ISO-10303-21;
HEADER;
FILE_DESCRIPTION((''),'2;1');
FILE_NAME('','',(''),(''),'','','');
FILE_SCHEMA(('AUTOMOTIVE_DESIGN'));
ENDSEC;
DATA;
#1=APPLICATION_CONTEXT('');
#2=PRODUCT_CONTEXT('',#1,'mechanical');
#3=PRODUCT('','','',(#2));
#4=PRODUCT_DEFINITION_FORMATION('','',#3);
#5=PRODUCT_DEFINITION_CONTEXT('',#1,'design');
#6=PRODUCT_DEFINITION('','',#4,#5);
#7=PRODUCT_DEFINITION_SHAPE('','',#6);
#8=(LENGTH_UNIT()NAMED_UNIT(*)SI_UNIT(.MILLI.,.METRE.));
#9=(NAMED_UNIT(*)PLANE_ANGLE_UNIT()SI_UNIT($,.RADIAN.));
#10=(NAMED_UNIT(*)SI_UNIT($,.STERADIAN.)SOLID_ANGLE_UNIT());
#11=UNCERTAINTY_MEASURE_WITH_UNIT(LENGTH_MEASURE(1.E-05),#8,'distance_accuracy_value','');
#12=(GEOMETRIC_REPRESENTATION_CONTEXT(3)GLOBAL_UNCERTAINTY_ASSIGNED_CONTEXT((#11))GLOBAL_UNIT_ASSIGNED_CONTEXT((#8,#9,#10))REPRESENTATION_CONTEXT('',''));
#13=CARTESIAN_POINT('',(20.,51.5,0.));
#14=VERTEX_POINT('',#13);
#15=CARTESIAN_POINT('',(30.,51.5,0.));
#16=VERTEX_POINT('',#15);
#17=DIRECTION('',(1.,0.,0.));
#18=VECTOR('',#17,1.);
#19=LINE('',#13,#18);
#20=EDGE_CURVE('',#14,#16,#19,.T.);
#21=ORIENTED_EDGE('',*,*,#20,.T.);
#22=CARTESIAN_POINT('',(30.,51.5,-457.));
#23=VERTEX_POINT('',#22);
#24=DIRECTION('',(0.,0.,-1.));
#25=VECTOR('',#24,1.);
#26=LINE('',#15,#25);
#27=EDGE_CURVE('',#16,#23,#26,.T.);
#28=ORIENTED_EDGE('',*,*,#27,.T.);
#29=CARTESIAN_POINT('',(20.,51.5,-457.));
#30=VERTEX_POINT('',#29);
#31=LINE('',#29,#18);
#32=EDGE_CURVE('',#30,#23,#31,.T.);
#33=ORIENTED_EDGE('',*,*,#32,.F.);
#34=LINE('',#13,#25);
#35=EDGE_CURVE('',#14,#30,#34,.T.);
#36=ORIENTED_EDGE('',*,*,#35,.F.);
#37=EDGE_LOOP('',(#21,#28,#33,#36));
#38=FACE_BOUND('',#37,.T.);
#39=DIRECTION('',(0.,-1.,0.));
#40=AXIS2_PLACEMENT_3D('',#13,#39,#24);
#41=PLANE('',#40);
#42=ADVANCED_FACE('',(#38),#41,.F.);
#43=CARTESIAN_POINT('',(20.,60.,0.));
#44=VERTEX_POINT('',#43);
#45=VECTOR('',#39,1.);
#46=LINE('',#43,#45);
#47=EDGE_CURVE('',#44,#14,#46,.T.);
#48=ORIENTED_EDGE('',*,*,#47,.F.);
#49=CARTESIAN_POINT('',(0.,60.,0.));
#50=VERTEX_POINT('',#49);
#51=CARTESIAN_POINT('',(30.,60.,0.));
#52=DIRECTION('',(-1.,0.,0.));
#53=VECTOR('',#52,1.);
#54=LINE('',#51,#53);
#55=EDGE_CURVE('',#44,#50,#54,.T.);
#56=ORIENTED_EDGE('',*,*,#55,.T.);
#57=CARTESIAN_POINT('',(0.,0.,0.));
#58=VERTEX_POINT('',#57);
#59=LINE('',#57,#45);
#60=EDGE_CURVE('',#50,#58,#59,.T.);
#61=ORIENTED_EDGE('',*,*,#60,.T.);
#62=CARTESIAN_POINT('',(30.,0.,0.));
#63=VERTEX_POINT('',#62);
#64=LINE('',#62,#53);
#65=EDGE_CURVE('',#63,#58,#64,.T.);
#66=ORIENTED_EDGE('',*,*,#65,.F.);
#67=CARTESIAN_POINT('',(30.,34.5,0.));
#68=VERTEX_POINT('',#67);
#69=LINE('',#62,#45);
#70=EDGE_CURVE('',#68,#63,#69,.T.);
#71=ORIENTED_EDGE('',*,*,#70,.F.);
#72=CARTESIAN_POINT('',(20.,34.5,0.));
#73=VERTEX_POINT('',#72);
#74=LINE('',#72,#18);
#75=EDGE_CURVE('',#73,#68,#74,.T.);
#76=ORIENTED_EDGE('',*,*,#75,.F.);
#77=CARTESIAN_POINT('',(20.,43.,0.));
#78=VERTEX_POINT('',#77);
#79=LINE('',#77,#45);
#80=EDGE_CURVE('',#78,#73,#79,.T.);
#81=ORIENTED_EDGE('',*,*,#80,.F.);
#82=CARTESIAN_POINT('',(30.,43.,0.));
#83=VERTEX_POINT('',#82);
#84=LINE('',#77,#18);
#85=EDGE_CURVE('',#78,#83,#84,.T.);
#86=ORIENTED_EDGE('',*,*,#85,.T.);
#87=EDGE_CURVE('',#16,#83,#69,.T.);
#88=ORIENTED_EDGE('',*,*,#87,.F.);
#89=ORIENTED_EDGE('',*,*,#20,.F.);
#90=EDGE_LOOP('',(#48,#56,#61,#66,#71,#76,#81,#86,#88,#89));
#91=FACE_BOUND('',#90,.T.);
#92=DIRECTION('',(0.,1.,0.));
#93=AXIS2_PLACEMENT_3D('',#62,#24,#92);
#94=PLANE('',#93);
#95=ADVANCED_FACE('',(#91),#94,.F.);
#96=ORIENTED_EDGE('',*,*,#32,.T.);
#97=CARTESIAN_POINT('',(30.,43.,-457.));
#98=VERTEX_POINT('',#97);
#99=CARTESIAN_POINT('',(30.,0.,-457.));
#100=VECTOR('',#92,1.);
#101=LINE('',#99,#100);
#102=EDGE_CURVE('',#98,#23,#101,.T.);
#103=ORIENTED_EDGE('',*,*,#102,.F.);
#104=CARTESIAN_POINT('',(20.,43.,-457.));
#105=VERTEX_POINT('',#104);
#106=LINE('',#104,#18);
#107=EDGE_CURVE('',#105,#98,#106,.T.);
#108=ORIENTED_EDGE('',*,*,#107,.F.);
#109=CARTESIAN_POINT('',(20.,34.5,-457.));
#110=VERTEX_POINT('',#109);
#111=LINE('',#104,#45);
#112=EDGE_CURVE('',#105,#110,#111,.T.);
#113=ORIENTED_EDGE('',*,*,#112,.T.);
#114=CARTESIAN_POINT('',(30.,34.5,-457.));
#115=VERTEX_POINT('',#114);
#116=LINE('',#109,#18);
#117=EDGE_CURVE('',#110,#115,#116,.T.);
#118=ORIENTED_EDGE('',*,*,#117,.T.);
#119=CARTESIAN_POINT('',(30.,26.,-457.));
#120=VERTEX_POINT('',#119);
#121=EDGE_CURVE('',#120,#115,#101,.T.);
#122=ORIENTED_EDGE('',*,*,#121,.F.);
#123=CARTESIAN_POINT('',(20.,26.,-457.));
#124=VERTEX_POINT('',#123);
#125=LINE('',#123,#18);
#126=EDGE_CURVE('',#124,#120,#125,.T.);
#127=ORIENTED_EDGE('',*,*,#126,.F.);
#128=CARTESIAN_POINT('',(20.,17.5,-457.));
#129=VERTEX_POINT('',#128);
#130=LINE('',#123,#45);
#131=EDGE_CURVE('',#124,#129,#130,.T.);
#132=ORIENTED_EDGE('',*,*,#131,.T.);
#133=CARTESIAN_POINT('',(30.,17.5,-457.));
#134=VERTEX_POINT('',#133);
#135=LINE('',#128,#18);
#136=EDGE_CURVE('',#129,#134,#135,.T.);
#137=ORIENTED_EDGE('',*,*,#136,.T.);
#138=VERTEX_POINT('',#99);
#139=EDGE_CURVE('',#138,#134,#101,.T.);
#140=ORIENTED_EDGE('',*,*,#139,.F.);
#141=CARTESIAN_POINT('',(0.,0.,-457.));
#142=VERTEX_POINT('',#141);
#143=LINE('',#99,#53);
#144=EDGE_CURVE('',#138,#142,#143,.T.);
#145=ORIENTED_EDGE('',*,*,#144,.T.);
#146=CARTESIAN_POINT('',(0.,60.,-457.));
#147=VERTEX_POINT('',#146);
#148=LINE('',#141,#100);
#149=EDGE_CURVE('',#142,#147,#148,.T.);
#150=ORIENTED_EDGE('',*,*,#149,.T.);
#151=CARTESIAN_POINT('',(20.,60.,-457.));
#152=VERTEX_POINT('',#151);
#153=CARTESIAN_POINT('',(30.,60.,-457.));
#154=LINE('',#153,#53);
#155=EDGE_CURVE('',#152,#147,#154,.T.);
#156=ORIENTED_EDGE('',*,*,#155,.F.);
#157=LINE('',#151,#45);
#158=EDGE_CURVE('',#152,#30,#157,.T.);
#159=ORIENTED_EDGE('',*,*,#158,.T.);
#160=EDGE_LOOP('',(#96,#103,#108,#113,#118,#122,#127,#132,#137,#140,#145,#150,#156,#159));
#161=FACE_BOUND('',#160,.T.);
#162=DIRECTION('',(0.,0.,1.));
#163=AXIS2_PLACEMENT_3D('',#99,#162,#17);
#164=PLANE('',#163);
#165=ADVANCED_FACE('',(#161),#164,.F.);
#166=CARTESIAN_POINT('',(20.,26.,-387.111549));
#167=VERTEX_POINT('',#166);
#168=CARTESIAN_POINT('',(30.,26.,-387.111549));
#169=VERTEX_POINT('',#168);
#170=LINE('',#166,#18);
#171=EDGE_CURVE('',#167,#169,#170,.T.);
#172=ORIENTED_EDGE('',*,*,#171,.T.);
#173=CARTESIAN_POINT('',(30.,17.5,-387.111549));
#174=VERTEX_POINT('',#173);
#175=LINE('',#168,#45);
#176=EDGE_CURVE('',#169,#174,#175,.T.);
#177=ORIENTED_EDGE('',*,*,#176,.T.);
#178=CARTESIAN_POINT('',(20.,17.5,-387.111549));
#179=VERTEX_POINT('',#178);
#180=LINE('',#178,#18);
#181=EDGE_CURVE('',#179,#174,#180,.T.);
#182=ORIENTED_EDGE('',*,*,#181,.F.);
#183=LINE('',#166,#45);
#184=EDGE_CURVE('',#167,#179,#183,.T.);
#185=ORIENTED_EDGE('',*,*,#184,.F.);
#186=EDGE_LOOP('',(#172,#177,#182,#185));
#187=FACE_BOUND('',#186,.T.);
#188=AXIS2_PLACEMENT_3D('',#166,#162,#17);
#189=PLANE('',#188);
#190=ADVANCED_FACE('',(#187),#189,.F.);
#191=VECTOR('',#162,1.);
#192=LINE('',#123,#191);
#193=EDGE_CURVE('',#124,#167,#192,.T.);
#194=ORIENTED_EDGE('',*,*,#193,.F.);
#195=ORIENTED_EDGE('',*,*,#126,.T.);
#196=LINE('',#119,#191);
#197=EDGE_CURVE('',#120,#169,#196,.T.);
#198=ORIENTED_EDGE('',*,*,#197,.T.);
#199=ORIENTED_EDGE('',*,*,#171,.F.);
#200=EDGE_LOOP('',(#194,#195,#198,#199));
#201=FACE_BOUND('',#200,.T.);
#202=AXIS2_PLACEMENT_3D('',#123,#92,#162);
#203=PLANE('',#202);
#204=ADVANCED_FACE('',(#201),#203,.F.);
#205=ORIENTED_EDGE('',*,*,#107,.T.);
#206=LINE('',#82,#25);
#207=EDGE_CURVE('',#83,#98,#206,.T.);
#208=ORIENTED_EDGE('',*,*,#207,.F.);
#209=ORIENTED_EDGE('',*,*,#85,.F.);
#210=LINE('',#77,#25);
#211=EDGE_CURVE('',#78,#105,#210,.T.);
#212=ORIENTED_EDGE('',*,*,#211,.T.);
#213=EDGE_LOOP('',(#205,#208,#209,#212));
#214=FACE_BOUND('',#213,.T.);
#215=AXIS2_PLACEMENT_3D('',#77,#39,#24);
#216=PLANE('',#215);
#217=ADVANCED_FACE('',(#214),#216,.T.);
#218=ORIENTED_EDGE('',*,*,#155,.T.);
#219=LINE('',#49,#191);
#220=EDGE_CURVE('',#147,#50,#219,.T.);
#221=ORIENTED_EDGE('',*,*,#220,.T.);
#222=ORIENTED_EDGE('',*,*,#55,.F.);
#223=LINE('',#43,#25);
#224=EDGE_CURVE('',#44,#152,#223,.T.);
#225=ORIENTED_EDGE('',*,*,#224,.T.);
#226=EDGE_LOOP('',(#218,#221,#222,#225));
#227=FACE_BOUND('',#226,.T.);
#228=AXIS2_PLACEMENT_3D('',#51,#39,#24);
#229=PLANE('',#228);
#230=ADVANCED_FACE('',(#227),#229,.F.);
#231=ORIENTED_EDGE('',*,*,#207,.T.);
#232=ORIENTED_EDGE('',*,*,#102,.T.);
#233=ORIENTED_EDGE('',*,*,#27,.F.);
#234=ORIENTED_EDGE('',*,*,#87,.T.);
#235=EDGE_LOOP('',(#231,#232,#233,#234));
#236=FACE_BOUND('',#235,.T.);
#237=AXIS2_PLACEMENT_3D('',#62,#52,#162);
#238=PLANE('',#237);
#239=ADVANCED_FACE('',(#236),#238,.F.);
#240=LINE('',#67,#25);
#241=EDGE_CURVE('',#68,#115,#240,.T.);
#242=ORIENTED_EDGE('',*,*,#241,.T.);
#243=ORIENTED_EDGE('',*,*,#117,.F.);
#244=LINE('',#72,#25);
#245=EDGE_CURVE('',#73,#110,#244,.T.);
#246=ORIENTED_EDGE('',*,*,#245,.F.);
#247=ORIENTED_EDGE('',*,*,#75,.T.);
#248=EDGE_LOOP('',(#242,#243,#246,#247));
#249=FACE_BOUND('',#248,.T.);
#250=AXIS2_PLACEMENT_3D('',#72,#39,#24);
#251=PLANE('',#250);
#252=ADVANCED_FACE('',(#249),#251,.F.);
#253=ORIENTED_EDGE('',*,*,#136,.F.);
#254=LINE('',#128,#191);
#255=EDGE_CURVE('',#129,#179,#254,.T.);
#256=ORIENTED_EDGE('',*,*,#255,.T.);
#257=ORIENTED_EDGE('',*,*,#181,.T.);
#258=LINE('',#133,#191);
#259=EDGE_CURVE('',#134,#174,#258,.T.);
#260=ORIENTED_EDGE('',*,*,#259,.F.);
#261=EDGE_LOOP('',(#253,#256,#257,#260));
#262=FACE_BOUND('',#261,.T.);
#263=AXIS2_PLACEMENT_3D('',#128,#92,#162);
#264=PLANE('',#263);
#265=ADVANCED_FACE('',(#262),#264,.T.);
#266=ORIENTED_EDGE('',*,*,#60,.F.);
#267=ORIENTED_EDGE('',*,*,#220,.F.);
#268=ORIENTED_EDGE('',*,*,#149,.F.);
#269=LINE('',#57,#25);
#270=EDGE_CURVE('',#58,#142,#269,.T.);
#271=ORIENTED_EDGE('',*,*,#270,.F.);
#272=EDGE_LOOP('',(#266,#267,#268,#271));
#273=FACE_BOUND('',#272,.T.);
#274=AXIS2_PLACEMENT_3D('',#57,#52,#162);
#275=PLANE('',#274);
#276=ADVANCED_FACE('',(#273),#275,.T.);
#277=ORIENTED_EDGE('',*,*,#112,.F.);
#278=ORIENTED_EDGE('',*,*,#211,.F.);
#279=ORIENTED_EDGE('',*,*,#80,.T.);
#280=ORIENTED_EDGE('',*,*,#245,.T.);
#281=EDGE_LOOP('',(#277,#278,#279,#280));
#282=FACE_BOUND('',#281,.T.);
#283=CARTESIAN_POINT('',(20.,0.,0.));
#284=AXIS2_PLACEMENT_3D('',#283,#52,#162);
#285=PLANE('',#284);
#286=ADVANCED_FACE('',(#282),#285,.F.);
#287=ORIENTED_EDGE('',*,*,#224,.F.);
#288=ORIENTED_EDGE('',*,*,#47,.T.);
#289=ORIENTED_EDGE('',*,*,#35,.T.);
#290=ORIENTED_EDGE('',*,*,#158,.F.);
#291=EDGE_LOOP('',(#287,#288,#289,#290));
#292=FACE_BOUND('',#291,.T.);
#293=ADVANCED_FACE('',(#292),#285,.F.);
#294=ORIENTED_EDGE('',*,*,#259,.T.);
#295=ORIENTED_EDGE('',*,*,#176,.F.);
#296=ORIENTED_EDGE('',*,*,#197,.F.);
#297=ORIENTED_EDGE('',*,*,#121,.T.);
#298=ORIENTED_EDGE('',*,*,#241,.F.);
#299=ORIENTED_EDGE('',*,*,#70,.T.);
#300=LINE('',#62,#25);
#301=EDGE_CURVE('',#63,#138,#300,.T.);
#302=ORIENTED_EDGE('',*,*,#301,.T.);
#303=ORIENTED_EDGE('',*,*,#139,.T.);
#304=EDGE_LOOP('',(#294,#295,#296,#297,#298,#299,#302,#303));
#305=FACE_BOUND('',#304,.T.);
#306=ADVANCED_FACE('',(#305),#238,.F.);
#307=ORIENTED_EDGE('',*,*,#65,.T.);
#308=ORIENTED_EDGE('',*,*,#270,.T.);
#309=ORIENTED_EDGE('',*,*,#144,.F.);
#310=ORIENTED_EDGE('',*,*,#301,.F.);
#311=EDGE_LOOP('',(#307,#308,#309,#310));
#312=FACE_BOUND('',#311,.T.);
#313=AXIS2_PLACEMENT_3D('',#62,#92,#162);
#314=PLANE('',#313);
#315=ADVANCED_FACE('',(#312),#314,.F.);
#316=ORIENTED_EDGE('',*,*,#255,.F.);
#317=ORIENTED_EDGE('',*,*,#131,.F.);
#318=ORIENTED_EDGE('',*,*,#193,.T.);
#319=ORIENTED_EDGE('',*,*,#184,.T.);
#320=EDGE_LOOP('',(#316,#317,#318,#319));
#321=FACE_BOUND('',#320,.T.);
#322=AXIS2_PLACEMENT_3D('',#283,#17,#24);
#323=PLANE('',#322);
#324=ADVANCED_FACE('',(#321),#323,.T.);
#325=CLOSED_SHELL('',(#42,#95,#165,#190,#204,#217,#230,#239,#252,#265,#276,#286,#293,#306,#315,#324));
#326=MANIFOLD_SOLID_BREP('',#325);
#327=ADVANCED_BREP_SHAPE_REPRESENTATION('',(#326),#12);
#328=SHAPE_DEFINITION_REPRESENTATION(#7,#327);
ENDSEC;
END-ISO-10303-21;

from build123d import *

# Parameters (mm, degrees)
SKETCH1_W           = 457
SKETCH1_H           = 60
BOSS_EXTRUDE1_DEPTH = 30
SKETCH2_W           = 457
SKETCH2_H           = 8.5
SKETCH2_W_2         = 69.888451377
CUT_EXTRUDE1_DEPTH  = 10


with BuildPart() as part:
    # Sketch1 → Boss-Extrude1 (new body)
    with BuildSketch(Plane(origin=(0, 0, 0), x_dir=(0, 0, -1), z_dir=(1, 0, 0))):
        with Locations((228.5, 30)):
            Rectangle(SKETCH1_W, SKETCH1_H)
    extrude(amount=BOSS_EXTRUDE1_DEPTH)

    # Sketch2 → Cut-Extrude1 (cut)
    with BuildSketch(Plane(origin=(30, 0, 0), x_dir=(0, 0, -1), z_dir=(1, 0, 0))):
        with Locations((228.5, 55.75)):
            Rectangle(SKETCH2_W, SKETCH2_H)
        with Locations((228.5, 38.75)):
            Rectangle(SKETCH2_W, SKETCH2_H)
        with Locations((422.055774312, 21.75)):
            Rectangle(SKETCH2_W_2, SKETCH2_H)
    extrude(amount=-CUT_EXTRUDE1_DEPTH, mode=Mode.SUBTRACT)


solid = part.part
